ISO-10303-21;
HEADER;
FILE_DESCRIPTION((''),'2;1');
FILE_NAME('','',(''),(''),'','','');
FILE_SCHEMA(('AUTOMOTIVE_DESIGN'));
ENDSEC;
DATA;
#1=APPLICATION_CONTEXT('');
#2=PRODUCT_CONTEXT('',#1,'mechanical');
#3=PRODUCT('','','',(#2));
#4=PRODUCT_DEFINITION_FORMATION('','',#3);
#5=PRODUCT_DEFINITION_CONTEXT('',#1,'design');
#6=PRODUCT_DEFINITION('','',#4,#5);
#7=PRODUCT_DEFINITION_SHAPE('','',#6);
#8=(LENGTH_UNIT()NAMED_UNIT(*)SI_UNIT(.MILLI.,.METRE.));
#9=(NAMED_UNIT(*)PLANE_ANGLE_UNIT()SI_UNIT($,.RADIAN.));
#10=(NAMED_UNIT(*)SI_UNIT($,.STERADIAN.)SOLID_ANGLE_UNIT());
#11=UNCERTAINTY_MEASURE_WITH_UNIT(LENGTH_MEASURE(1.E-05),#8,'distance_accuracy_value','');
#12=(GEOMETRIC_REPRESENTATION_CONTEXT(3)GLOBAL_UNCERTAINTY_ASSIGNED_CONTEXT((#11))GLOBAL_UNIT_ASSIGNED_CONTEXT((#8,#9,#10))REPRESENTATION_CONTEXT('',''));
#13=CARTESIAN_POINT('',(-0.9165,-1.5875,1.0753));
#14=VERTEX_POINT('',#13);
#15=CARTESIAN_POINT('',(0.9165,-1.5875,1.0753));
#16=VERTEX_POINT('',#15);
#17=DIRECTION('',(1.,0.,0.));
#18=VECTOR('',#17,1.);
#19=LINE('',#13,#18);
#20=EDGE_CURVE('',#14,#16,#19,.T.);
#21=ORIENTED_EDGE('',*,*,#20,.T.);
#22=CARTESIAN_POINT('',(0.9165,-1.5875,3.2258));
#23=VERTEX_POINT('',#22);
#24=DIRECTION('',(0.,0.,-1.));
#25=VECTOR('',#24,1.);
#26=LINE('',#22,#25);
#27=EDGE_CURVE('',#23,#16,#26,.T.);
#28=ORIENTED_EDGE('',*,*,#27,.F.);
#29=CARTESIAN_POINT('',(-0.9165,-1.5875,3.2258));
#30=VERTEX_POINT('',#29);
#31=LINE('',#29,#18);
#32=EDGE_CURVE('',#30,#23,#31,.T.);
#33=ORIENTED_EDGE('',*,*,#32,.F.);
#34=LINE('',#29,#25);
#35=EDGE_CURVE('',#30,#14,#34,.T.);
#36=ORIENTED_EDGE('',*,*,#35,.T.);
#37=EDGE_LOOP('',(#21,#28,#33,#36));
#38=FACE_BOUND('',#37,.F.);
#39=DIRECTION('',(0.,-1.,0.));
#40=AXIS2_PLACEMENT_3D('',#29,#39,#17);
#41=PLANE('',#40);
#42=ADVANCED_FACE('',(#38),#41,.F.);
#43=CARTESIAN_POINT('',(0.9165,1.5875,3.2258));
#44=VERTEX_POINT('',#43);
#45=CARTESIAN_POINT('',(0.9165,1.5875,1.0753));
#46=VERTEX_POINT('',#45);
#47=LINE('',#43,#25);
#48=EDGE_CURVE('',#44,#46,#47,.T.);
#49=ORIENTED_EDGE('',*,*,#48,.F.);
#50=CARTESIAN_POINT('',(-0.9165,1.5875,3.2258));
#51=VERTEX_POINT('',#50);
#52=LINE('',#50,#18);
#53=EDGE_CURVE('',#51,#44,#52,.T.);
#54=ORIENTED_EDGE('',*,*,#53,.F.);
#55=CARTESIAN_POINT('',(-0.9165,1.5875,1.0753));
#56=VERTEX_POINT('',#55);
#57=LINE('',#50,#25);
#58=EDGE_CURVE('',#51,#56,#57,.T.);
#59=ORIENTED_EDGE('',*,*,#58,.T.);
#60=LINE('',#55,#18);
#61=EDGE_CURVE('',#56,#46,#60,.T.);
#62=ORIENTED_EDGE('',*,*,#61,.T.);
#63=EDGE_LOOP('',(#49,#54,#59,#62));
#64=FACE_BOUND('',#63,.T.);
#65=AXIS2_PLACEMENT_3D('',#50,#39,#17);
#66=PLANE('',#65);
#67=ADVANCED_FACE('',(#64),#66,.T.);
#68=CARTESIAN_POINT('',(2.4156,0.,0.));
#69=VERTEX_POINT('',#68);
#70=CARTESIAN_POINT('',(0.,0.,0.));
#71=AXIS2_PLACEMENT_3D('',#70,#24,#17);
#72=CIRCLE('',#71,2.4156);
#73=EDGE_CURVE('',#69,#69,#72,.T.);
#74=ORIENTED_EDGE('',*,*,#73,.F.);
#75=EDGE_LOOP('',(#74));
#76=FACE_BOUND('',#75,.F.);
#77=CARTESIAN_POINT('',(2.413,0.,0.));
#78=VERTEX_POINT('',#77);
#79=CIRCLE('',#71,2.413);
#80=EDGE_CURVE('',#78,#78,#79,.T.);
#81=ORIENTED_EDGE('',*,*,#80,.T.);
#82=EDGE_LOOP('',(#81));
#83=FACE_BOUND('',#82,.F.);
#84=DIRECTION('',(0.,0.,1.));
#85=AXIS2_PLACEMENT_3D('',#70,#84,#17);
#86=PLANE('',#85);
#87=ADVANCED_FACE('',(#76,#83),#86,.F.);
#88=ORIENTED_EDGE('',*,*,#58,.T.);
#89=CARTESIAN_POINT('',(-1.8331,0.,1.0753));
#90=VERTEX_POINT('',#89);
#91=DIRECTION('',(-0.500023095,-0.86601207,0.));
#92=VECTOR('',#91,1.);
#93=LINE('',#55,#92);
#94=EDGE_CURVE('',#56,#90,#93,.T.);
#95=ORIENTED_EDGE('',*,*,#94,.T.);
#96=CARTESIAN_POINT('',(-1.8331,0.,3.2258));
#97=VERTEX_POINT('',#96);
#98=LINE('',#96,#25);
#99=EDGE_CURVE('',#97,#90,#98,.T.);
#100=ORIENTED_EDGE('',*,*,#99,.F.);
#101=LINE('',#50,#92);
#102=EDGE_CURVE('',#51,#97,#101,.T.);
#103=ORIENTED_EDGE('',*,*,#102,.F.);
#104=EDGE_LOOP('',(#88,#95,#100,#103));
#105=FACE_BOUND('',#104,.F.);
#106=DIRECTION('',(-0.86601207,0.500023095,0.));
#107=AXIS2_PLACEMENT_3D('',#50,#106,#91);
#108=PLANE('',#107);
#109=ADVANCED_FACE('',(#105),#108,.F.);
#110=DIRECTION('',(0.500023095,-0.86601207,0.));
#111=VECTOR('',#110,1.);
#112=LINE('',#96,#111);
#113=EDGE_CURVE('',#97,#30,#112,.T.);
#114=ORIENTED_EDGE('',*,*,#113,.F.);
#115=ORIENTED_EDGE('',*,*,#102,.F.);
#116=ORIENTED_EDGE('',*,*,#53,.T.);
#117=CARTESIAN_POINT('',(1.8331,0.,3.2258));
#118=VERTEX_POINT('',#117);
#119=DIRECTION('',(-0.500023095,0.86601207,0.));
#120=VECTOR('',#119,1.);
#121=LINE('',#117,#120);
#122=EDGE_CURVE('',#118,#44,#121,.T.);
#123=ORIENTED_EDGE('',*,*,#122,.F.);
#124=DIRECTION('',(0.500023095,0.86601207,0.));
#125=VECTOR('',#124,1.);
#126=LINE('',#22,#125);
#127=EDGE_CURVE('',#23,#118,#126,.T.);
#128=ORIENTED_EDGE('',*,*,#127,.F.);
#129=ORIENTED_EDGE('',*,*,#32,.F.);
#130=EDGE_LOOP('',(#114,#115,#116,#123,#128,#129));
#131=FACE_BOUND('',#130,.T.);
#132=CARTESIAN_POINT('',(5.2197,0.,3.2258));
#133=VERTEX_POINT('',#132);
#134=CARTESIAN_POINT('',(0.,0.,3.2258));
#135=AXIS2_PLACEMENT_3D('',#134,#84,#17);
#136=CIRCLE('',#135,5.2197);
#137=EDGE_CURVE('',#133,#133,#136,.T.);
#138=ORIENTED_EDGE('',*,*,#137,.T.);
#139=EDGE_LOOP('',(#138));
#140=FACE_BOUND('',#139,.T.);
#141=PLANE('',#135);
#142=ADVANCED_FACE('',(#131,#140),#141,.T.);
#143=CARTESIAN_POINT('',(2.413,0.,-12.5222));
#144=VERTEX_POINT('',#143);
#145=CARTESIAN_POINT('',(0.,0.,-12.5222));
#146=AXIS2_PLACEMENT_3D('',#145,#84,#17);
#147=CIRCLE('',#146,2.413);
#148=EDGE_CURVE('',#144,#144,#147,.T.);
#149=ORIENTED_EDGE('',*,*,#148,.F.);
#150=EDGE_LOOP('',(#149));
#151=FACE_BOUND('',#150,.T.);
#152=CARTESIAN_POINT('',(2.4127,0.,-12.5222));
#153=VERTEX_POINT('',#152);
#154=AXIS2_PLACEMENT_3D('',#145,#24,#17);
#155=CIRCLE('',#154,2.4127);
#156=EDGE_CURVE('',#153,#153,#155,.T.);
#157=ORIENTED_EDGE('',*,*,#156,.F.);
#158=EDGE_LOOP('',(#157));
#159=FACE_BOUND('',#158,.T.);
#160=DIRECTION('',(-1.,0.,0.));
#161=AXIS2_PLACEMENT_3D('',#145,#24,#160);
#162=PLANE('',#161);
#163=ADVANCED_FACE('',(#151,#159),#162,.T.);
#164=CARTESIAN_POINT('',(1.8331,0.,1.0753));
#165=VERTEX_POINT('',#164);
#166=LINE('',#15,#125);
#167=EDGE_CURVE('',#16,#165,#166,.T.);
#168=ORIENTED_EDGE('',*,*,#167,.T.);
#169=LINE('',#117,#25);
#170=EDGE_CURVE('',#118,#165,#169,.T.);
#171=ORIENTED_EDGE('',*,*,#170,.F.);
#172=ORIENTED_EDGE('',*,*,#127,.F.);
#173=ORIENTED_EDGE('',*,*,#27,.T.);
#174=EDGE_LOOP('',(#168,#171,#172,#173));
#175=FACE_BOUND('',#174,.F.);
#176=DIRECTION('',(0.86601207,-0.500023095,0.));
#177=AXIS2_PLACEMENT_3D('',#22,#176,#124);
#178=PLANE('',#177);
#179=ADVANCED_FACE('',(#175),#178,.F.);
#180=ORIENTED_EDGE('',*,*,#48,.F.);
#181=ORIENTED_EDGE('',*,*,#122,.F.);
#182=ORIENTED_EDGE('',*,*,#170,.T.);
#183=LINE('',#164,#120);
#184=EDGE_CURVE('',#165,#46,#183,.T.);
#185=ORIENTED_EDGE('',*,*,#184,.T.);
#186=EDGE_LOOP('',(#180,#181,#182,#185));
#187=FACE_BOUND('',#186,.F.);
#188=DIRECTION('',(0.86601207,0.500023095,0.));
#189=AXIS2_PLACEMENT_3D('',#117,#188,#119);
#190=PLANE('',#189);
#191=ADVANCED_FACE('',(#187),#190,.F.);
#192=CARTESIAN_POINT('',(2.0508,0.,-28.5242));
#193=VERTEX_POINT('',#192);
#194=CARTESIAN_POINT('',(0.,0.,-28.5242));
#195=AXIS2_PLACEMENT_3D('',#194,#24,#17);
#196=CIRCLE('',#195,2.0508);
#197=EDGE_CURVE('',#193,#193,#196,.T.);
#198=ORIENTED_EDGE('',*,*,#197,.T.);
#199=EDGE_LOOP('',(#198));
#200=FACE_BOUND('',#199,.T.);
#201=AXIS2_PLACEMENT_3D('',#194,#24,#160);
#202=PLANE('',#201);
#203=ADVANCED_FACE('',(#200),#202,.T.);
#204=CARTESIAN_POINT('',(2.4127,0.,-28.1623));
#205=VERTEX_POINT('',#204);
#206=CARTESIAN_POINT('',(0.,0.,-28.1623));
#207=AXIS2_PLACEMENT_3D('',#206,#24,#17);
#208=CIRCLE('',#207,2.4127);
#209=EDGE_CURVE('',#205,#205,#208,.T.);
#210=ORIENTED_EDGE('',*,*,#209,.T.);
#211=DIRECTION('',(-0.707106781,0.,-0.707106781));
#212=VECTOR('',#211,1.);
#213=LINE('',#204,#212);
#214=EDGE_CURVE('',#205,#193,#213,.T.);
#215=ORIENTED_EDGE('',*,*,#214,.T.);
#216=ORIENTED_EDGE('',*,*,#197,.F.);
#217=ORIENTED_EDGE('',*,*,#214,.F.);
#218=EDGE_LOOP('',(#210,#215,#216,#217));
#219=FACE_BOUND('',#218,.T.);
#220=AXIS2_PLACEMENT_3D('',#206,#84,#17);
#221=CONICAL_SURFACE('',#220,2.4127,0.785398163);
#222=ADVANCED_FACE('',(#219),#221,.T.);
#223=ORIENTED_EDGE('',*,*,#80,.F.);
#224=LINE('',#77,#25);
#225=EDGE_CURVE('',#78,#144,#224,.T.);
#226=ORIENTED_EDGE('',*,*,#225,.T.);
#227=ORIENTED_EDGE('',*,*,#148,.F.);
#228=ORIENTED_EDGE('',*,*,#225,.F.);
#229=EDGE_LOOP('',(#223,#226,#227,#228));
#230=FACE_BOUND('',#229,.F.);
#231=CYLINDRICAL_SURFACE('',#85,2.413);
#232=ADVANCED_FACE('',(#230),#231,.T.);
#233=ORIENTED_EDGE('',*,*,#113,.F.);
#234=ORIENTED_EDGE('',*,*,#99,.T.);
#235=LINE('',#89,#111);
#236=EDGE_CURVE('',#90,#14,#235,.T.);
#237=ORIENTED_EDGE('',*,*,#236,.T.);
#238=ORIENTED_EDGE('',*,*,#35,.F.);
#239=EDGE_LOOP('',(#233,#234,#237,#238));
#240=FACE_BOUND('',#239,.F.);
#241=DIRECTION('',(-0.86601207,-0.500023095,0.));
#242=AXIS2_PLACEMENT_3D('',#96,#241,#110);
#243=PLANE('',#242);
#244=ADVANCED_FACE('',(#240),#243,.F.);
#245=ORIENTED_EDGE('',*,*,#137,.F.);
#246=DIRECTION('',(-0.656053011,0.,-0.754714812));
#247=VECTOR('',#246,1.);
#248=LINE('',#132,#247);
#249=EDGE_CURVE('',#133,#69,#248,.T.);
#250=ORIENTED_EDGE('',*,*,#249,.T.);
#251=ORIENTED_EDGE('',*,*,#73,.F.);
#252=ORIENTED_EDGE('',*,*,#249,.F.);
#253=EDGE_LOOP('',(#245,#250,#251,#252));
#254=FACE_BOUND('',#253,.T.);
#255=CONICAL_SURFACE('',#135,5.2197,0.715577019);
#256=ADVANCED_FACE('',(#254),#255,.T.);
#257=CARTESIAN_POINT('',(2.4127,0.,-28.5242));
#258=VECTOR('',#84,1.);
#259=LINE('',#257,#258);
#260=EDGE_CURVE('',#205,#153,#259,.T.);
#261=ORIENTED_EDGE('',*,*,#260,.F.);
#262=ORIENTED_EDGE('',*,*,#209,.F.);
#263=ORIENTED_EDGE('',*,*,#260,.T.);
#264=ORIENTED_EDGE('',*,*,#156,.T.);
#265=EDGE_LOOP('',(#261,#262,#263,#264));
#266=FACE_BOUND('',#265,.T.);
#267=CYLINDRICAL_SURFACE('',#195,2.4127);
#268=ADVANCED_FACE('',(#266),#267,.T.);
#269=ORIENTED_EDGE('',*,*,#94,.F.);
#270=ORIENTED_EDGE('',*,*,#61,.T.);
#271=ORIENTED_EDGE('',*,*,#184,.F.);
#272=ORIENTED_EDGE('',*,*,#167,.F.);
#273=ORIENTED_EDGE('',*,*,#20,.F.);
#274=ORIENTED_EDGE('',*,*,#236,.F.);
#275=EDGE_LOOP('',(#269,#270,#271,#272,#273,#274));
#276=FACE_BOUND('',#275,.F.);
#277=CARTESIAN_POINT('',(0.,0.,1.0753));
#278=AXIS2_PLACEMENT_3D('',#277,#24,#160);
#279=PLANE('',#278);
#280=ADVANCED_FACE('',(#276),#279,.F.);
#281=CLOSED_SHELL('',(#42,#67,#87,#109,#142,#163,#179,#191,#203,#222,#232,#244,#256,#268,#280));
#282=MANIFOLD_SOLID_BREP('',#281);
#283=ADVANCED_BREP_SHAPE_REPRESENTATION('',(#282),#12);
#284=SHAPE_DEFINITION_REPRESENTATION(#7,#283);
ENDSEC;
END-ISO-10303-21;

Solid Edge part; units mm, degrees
sketch "Sketch1" plane through (0, 0, 0) normal (0, 0, 1) x (1, 0, 0)
  circle A0 centre (0, 0) radius 5.2197
  dimension "D1" = 10.4394
extrude "Protrusion1" add sketch "Sketch1" along normal blind 3.2258
sketch "Sketch2" plane through (0, 0, 0) normal (0, 0, -1) x (1, 0, 0)
  circle A0 centre (0, 0) radius 2.413
extrude "Protrusion2" add sketch "Sketch2" along normal blind 28.5242
sketch "Sketch3" plane through (0, 0, -28.5242) normal (0, 0, -1) x (1, 0, 0)
  circle A0 centre (0, 0) radius 2.4127
extrude "Cutout1" cut sketch "Sketch3" against normal blind 16.002 flip side to cut
chamfer "Chamfer_1" distance 0.3619 angle 45 1 edges at (-2.4127, 0, -28.5242)
sketch "Sketch4" plane through (0, 0, 3.2258) normal (0, 0, 1) x (1, 0, 0)
  line L0 (-0.9165, 1.5875) -> (0.9165, 1.5875)
  line L1 (1.8331, 0) -> (0.9165, 1.5875)
  line L2 (0.9165, -1.5875) -> (1.8331, 0)
  line L3 (-0.9165, -1.5875) -> (0.9165, -1.5875)
  line L4 (-1.8331, 0) -> (-0.9165, -1.5875)
  line L5 (-0.9165, 1.5875) -> (-1.8331, 0)
  dimension "D1" = 3.175
extrude "Cutout2" cut sketch "Sketch4" against normal blind 2.1505
sketch "Sketch5" plane through (0, 0, 0) normal (0, -1, 0) x (1, 0, 0)
  line L0 (5.2197, 3.2258) -> (2.4156, 0)
  line L1 (2.4156, 0) -> (5.2197, 0)
  line L2 (5.2197, 0) -> (5.2197, 3.2258)
revolve "RevolvedCutout1" cut sketch "Sketch5" angle 360 about axis through (0, 0, 14.0017) along (0, 0, -1)
properties part number "185718"
